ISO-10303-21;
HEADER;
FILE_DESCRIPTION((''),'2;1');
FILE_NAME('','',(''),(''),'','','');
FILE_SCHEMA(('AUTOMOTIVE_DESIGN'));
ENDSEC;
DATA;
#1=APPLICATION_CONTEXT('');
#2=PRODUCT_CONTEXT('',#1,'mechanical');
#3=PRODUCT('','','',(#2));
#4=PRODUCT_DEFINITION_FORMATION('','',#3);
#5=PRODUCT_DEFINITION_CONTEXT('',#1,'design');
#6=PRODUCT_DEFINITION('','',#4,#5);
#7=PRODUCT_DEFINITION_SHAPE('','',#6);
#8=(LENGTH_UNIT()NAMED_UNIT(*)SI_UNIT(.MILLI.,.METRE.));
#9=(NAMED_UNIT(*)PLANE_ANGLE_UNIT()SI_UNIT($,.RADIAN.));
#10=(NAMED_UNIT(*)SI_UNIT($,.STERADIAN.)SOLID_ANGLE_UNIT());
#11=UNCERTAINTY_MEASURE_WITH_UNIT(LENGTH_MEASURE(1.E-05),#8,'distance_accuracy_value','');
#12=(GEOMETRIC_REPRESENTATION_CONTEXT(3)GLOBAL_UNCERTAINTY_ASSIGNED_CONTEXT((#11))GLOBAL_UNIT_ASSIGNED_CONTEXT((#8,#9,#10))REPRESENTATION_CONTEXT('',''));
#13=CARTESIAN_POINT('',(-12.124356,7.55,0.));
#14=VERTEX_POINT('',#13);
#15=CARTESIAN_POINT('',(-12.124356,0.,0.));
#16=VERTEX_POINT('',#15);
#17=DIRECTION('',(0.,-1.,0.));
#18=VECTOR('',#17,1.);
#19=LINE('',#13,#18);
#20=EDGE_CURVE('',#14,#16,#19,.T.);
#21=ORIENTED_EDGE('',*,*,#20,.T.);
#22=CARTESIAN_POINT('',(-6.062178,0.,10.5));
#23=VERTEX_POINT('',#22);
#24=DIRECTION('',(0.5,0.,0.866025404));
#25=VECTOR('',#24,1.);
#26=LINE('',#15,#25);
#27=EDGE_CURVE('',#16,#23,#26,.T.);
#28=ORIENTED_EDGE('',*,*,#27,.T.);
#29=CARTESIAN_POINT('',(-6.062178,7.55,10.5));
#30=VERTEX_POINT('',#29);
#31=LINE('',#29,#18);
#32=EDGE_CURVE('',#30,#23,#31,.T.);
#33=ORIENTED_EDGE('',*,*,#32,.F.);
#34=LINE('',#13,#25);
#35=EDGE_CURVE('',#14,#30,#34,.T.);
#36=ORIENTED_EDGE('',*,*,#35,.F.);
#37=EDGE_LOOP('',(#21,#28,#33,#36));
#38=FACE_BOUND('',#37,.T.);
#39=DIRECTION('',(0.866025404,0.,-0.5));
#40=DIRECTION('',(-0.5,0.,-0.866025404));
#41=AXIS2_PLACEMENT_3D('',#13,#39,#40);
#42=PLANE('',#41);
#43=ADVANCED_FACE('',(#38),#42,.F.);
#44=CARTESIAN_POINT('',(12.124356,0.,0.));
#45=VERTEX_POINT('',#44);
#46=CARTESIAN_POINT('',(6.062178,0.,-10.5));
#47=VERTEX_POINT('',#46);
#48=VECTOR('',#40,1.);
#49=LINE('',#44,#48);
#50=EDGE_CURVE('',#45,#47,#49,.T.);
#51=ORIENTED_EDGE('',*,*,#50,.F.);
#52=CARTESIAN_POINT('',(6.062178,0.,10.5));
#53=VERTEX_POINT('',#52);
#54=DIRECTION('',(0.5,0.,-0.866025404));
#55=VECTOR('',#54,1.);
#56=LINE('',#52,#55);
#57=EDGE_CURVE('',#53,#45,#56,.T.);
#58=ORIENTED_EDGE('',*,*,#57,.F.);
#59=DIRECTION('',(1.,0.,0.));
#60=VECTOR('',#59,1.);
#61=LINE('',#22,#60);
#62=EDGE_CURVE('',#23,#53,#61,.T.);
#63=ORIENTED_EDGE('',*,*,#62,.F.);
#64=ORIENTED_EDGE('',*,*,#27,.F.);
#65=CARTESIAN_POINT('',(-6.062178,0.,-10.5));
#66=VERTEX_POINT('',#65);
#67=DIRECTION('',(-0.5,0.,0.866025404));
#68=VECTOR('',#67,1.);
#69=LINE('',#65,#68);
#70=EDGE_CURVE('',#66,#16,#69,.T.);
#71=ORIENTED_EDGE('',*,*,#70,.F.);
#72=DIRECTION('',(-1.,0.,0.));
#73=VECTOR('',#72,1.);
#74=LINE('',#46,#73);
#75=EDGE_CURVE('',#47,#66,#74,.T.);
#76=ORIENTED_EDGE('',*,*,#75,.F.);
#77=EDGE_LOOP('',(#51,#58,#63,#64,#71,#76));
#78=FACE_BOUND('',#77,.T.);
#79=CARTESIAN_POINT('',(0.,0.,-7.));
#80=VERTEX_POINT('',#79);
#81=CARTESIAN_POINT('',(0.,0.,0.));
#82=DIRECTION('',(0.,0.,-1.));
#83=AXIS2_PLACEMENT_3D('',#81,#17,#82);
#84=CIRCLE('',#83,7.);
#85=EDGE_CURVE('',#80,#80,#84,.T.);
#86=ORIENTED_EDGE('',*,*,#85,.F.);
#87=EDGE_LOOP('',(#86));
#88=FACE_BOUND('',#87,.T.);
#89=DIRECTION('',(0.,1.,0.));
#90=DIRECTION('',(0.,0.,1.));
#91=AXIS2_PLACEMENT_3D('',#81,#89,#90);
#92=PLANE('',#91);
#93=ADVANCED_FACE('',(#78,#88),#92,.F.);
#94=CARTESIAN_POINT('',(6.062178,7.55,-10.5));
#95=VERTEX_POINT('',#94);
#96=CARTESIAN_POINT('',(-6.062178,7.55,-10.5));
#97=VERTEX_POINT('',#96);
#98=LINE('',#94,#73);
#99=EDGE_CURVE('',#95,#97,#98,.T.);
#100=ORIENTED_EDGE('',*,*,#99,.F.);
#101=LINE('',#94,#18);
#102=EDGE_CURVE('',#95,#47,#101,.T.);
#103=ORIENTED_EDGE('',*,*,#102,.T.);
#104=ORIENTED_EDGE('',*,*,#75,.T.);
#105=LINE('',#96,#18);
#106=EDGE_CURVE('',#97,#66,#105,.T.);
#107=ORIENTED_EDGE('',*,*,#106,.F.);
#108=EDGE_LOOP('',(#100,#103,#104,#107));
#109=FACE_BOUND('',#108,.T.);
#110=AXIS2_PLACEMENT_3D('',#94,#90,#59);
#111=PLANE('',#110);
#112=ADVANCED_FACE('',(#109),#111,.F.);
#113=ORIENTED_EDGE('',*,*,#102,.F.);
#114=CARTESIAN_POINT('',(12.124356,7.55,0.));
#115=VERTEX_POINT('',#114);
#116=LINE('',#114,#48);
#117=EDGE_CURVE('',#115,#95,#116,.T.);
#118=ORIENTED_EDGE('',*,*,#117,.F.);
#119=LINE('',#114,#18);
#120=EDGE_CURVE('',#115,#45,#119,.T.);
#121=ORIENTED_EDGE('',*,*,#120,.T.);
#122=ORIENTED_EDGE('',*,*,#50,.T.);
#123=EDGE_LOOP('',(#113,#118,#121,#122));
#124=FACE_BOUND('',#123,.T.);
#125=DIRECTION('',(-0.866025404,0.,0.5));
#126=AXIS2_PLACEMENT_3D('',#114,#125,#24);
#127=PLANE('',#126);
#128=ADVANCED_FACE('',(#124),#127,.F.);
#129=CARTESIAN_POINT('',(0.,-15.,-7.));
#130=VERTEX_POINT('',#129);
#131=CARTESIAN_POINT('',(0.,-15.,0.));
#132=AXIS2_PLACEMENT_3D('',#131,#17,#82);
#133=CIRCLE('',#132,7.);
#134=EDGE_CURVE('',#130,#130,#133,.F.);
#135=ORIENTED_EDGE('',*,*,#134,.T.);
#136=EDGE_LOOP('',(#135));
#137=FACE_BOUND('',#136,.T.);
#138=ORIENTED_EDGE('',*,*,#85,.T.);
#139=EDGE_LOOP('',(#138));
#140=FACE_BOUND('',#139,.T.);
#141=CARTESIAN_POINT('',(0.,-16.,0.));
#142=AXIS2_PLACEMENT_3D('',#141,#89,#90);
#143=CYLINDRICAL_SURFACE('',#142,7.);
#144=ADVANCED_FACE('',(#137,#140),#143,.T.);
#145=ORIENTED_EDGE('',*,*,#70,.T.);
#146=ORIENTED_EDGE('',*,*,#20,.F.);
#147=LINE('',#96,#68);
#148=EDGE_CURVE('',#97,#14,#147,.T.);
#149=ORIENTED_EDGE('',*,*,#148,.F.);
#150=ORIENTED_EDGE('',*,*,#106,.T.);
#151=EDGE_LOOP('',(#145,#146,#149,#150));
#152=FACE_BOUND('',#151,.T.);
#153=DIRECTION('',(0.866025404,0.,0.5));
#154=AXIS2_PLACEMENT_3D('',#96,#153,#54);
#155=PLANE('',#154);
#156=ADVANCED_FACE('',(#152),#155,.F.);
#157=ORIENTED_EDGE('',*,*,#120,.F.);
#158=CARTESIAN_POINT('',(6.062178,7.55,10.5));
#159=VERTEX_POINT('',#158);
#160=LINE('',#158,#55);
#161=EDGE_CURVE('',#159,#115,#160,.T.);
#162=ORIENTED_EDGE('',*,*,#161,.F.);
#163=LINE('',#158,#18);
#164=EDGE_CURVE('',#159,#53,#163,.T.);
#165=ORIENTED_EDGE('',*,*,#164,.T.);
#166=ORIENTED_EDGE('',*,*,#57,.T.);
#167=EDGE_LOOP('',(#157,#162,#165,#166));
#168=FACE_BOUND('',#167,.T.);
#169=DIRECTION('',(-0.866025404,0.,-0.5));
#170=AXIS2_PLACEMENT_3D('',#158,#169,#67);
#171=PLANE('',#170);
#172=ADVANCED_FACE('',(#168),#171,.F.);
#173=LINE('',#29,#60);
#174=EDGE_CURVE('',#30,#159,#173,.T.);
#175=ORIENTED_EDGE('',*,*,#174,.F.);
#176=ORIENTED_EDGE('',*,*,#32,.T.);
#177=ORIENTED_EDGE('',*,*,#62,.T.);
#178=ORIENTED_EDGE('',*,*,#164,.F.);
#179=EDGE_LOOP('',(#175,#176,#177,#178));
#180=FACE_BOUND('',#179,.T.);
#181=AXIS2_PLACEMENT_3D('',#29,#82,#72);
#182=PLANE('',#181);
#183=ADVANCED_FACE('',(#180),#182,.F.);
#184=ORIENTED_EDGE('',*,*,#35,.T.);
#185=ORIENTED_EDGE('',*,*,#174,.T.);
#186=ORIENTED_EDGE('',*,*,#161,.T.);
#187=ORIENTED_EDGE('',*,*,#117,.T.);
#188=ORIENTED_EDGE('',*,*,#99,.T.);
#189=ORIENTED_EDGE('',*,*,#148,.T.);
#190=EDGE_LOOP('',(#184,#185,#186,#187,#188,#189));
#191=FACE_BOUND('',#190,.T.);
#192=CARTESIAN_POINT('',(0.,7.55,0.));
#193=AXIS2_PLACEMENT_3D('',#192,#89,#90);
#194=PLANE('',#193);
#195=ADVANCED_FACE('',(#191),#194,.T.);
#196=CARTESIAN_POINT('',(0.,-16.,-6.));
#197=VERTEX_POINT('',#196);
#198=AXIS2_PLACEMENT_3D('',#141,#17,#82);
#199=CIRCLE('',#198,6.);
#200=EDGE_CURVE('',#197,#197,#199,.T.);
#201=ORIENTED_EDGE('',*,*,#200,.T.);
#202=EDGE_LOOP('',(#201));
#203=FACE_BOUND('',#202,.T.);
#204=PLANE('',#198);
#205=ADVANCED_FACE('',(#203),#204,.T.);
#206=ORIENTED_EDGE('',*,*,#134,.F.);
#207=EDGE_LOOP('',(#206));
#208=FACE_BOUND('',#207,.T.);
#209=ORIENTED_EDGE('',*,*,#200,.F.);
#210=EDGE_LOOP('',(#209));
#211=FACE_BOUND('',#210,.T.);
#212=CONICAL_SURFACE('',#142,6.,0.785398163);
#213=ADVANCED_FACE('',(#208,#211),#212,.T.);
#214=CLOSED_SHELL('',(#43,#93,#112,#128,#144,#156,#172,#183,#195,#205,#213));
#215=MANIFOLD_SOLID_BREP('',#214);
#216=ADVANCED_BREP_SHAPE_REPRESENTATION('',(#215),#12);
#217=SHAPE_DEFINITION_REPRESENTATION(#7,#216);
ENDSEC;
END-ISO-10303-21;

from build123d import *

# Parameters (mm, degrees)
BOSS_EXTRUDE1_DEPTH = 7.55
SKETCH2_R           = 7
BOSS_EXTRUDE2_DEPTH = 16
CHAMFER1_SIZE       = 1


with BuildPart() as part:
    # Sketch1 → Boss-Extrude1 (new body)
    with BuildSketch(Plane(origin=(0, 0, 0), x_dir=(1, 0, 0), z_dir=(0, 1, 0))):
        Polygon((-12.124355653, 0), (-6.062177826, -10.5), (6.062177826, -10.5), (12.124355653, 0), (6.062177826, 10.5), (-6.062177826, 10.5), align=None)
    extrude(amount=BOSS_EXTRUDE1_DEPTH)

    # Sketch2 → Boss-Extrude2 (add)
    with BuildSketch(Plane.XZ):
        with Locations(Location((0, 0, 0), (0, 0, 270))):
            Circle(SKETCH2_R)
    extrude(amount=BOSS_EXTRUDE2_DEPTH)

    # Chamfer1
    chamfer1_edges = [part.edges().sort_by_distance(p)[0] for p in [
        (0, -16, 7),
    ]]
    chamfer(chamfer1_edges, length=CHAMFER1_SIZE)


solid = part.part
